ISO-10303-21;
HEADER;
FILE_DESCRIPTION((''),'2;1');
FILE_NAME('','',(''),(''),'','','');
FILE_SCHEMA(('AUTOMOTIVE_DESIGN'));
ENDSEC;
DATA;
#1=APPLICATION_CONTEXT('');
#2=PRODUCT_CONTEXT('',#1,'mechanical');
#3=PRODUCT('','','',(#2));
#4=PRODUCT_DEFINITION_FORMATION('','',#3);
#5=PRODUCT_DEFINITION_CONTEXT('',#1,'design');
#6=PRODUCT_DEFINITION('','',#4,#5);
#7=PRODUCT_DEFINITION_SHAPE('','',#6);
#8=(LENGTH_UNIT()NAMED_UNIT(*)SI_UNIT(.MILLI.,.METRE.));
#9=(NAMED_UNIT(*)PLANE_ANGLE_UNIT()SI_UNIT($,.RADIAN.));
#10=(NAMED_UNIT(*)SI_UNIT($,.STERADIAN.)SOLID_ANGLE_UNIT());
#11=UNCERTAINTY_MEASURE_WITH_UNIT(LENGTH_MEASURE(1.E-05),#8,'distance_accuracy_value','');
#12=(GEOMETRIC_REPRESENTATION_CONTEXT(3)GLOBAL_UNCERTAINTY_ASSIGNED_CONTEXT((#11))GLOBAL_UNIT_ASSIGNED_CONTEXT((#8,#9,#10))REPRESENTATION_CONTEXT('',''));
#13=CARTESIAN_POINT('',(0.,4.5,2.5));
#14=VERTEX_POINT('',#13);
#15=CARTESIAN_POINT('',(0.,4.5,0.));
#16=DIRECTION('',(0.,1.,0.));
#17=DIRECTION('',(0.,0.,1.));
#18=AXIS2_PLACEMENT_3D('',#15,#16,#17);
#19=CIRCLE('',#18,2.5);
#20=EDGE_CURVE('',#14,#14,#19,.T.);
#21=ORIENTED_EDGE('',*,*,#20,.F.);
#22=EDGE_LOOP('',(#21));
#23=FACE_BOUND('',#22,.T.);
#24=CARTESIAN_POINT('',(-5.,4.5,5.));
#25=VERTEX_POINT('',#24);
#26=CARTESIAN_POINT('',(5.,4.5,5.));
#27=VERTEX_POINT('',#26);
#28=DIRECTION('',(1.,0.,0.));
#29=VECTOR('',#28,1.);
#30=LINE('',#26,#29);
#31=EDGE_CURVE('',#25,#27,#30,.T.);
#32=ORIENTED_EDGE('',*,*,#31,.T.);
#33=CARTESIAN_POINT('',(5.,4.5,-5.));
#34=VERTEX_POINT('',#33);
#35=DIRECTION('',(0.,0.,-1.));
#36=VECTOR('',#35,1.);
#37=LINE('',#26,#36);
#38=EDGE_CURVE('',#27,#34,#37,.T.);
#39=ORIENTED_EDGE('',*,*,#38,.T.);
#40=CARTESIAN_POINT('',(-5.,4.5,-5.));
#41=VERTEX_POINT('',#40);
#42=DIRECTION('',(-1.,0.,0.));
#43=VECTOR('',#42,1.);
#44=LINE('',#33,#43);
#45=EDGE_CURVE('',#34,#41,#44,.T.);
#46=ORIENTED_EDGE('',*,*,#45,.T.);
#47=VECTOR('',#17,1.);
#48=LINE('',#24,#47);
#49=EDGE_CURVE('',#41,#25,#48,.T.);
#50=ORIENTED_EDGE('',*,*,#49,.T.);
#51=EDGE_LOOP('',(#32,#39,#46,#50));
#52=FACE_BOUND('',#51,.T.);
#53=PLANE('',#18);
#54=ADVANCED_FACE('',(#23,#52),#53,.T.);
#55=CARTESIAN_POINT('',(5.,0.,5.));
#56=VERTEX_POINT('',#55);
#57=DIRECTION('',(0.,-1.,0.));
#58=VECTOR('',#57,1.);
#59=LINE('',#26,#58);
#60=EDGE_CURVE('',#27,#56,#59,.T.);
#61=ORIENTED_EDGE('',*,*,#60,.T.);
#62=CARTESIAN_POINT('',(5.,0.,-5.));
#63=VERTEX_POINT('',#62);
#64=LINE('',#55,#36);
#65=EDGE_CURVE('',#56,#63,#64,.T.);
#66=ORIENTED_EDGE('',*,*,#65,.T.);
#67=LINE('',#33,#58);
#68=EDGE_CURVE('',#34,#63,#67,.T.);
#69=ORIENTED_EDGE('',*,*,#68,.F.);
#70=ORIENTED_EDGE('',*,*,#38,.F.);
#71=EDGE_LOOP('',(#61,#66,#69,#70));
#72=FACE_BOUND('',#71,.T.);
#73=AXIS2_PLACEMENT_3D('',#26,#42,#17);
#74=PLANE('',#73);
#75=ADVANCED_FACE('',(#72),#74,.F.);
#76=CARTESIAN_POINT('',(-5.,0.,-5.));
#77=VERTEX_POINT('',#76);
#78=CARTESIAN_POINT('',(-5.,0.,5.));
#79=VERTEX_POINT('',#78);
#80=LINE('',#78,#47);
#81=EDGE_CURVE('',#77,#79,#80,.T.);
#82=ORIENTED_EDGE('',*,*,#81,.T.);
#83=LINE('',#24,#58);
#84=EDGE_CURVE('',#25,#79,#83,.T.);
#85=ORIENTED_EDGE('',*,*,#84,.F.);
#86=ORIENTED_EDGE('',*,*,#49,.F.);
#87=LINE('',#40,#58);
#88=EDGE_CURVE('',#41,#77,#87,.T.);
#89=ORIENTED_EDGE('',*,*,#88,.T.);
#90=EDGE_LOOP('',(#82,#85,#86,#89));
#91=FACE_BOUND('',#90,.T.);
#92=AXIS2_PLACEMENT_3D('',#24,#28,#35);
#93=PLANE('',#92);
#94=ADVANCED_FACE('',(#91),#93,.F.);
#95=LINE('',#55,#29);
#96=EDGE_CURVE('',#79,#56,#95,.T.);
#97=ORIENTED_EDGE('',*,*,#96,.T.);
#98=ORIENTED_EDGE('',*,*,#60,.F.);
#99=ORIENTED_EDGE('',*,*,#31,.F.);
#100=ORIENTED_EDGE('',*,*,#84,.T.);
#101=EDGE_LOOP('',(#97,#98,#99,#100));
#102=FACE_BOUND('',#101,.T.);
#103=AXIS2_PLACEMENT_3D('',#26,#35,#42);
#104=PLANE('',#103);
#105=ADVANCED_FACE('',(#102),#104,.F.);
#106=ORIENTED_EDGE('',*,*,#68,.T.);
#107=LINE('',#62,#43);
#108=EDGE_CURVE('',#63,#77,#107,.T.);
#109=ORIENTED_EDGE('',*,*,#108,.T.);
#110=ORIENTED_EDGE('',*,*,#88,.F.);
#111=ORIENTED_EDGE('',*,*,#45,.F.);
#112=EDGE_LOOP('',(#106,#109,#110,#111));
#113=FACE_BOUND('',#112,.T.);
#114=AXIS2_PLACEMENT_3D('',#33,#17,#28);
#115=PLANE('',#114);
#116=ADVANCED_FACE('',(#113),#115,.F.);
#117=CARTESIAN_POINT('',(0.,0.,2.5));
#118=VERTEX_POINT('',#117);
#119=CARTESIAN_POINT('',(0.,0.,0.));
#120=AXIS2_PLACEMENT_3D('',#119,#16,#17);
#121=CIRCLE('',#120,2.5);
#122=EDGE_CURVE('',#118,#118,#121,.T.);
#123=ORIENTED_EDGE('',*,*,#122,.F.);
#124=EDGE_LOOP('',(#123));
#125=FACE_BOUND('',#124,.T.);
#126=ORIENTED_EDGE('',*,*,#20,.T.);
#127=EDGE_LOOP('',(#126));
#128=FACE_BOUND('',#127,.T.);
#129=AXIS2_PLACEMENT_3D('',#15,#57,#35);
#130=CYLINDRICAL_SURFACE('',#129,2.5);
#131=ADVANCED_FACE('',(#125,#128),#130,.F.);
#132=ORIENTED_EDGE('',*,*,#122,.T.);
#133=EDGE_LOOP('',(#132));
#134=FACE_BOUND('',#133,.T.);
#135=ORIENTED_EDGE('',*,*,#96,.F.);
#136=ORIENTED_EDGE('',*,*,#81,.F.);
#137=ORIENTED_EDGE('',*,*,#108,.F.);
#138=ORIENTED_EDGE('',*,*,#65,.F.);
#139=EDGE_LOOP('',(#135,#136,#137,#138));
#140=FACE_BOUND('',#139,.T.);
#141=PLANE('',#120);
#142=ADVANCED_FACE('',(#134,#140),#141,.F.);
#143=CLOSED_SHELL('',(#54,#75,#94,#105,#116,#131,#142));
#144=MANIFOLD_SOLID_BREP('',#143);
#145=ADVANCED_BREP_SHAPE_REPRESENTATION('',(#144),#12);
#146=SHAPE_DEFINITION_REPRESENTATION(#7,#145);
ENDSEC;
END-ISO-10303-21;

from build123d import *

# Parameters (mm, degrees)
SKETCH1_W           = 10
SKETCH1_H           = 10
SKETCH1_R           = 2.5
BOSS_EXTRUDE1_DEPTH = 4.5


with BuildPart() as part:
    # Sketch1 → Boss-Extrude1 (new body)
    with BuildSketch(Plane(origin=(0, 0, 0), x_dir=(1, 0, 0), z_dir=(0, 1, 0))):
        Rectangle(SKETCH1_W, SKETCH1_H)
        with Locations(Location((0, 0, 0), (0, 0, 270))):
            Circle(SKETCH1_R, mode=Mode.SUBTRACT)
    extrude(amount=BOSS_EXTRUDE1_DEPTH)


solid = part.part
